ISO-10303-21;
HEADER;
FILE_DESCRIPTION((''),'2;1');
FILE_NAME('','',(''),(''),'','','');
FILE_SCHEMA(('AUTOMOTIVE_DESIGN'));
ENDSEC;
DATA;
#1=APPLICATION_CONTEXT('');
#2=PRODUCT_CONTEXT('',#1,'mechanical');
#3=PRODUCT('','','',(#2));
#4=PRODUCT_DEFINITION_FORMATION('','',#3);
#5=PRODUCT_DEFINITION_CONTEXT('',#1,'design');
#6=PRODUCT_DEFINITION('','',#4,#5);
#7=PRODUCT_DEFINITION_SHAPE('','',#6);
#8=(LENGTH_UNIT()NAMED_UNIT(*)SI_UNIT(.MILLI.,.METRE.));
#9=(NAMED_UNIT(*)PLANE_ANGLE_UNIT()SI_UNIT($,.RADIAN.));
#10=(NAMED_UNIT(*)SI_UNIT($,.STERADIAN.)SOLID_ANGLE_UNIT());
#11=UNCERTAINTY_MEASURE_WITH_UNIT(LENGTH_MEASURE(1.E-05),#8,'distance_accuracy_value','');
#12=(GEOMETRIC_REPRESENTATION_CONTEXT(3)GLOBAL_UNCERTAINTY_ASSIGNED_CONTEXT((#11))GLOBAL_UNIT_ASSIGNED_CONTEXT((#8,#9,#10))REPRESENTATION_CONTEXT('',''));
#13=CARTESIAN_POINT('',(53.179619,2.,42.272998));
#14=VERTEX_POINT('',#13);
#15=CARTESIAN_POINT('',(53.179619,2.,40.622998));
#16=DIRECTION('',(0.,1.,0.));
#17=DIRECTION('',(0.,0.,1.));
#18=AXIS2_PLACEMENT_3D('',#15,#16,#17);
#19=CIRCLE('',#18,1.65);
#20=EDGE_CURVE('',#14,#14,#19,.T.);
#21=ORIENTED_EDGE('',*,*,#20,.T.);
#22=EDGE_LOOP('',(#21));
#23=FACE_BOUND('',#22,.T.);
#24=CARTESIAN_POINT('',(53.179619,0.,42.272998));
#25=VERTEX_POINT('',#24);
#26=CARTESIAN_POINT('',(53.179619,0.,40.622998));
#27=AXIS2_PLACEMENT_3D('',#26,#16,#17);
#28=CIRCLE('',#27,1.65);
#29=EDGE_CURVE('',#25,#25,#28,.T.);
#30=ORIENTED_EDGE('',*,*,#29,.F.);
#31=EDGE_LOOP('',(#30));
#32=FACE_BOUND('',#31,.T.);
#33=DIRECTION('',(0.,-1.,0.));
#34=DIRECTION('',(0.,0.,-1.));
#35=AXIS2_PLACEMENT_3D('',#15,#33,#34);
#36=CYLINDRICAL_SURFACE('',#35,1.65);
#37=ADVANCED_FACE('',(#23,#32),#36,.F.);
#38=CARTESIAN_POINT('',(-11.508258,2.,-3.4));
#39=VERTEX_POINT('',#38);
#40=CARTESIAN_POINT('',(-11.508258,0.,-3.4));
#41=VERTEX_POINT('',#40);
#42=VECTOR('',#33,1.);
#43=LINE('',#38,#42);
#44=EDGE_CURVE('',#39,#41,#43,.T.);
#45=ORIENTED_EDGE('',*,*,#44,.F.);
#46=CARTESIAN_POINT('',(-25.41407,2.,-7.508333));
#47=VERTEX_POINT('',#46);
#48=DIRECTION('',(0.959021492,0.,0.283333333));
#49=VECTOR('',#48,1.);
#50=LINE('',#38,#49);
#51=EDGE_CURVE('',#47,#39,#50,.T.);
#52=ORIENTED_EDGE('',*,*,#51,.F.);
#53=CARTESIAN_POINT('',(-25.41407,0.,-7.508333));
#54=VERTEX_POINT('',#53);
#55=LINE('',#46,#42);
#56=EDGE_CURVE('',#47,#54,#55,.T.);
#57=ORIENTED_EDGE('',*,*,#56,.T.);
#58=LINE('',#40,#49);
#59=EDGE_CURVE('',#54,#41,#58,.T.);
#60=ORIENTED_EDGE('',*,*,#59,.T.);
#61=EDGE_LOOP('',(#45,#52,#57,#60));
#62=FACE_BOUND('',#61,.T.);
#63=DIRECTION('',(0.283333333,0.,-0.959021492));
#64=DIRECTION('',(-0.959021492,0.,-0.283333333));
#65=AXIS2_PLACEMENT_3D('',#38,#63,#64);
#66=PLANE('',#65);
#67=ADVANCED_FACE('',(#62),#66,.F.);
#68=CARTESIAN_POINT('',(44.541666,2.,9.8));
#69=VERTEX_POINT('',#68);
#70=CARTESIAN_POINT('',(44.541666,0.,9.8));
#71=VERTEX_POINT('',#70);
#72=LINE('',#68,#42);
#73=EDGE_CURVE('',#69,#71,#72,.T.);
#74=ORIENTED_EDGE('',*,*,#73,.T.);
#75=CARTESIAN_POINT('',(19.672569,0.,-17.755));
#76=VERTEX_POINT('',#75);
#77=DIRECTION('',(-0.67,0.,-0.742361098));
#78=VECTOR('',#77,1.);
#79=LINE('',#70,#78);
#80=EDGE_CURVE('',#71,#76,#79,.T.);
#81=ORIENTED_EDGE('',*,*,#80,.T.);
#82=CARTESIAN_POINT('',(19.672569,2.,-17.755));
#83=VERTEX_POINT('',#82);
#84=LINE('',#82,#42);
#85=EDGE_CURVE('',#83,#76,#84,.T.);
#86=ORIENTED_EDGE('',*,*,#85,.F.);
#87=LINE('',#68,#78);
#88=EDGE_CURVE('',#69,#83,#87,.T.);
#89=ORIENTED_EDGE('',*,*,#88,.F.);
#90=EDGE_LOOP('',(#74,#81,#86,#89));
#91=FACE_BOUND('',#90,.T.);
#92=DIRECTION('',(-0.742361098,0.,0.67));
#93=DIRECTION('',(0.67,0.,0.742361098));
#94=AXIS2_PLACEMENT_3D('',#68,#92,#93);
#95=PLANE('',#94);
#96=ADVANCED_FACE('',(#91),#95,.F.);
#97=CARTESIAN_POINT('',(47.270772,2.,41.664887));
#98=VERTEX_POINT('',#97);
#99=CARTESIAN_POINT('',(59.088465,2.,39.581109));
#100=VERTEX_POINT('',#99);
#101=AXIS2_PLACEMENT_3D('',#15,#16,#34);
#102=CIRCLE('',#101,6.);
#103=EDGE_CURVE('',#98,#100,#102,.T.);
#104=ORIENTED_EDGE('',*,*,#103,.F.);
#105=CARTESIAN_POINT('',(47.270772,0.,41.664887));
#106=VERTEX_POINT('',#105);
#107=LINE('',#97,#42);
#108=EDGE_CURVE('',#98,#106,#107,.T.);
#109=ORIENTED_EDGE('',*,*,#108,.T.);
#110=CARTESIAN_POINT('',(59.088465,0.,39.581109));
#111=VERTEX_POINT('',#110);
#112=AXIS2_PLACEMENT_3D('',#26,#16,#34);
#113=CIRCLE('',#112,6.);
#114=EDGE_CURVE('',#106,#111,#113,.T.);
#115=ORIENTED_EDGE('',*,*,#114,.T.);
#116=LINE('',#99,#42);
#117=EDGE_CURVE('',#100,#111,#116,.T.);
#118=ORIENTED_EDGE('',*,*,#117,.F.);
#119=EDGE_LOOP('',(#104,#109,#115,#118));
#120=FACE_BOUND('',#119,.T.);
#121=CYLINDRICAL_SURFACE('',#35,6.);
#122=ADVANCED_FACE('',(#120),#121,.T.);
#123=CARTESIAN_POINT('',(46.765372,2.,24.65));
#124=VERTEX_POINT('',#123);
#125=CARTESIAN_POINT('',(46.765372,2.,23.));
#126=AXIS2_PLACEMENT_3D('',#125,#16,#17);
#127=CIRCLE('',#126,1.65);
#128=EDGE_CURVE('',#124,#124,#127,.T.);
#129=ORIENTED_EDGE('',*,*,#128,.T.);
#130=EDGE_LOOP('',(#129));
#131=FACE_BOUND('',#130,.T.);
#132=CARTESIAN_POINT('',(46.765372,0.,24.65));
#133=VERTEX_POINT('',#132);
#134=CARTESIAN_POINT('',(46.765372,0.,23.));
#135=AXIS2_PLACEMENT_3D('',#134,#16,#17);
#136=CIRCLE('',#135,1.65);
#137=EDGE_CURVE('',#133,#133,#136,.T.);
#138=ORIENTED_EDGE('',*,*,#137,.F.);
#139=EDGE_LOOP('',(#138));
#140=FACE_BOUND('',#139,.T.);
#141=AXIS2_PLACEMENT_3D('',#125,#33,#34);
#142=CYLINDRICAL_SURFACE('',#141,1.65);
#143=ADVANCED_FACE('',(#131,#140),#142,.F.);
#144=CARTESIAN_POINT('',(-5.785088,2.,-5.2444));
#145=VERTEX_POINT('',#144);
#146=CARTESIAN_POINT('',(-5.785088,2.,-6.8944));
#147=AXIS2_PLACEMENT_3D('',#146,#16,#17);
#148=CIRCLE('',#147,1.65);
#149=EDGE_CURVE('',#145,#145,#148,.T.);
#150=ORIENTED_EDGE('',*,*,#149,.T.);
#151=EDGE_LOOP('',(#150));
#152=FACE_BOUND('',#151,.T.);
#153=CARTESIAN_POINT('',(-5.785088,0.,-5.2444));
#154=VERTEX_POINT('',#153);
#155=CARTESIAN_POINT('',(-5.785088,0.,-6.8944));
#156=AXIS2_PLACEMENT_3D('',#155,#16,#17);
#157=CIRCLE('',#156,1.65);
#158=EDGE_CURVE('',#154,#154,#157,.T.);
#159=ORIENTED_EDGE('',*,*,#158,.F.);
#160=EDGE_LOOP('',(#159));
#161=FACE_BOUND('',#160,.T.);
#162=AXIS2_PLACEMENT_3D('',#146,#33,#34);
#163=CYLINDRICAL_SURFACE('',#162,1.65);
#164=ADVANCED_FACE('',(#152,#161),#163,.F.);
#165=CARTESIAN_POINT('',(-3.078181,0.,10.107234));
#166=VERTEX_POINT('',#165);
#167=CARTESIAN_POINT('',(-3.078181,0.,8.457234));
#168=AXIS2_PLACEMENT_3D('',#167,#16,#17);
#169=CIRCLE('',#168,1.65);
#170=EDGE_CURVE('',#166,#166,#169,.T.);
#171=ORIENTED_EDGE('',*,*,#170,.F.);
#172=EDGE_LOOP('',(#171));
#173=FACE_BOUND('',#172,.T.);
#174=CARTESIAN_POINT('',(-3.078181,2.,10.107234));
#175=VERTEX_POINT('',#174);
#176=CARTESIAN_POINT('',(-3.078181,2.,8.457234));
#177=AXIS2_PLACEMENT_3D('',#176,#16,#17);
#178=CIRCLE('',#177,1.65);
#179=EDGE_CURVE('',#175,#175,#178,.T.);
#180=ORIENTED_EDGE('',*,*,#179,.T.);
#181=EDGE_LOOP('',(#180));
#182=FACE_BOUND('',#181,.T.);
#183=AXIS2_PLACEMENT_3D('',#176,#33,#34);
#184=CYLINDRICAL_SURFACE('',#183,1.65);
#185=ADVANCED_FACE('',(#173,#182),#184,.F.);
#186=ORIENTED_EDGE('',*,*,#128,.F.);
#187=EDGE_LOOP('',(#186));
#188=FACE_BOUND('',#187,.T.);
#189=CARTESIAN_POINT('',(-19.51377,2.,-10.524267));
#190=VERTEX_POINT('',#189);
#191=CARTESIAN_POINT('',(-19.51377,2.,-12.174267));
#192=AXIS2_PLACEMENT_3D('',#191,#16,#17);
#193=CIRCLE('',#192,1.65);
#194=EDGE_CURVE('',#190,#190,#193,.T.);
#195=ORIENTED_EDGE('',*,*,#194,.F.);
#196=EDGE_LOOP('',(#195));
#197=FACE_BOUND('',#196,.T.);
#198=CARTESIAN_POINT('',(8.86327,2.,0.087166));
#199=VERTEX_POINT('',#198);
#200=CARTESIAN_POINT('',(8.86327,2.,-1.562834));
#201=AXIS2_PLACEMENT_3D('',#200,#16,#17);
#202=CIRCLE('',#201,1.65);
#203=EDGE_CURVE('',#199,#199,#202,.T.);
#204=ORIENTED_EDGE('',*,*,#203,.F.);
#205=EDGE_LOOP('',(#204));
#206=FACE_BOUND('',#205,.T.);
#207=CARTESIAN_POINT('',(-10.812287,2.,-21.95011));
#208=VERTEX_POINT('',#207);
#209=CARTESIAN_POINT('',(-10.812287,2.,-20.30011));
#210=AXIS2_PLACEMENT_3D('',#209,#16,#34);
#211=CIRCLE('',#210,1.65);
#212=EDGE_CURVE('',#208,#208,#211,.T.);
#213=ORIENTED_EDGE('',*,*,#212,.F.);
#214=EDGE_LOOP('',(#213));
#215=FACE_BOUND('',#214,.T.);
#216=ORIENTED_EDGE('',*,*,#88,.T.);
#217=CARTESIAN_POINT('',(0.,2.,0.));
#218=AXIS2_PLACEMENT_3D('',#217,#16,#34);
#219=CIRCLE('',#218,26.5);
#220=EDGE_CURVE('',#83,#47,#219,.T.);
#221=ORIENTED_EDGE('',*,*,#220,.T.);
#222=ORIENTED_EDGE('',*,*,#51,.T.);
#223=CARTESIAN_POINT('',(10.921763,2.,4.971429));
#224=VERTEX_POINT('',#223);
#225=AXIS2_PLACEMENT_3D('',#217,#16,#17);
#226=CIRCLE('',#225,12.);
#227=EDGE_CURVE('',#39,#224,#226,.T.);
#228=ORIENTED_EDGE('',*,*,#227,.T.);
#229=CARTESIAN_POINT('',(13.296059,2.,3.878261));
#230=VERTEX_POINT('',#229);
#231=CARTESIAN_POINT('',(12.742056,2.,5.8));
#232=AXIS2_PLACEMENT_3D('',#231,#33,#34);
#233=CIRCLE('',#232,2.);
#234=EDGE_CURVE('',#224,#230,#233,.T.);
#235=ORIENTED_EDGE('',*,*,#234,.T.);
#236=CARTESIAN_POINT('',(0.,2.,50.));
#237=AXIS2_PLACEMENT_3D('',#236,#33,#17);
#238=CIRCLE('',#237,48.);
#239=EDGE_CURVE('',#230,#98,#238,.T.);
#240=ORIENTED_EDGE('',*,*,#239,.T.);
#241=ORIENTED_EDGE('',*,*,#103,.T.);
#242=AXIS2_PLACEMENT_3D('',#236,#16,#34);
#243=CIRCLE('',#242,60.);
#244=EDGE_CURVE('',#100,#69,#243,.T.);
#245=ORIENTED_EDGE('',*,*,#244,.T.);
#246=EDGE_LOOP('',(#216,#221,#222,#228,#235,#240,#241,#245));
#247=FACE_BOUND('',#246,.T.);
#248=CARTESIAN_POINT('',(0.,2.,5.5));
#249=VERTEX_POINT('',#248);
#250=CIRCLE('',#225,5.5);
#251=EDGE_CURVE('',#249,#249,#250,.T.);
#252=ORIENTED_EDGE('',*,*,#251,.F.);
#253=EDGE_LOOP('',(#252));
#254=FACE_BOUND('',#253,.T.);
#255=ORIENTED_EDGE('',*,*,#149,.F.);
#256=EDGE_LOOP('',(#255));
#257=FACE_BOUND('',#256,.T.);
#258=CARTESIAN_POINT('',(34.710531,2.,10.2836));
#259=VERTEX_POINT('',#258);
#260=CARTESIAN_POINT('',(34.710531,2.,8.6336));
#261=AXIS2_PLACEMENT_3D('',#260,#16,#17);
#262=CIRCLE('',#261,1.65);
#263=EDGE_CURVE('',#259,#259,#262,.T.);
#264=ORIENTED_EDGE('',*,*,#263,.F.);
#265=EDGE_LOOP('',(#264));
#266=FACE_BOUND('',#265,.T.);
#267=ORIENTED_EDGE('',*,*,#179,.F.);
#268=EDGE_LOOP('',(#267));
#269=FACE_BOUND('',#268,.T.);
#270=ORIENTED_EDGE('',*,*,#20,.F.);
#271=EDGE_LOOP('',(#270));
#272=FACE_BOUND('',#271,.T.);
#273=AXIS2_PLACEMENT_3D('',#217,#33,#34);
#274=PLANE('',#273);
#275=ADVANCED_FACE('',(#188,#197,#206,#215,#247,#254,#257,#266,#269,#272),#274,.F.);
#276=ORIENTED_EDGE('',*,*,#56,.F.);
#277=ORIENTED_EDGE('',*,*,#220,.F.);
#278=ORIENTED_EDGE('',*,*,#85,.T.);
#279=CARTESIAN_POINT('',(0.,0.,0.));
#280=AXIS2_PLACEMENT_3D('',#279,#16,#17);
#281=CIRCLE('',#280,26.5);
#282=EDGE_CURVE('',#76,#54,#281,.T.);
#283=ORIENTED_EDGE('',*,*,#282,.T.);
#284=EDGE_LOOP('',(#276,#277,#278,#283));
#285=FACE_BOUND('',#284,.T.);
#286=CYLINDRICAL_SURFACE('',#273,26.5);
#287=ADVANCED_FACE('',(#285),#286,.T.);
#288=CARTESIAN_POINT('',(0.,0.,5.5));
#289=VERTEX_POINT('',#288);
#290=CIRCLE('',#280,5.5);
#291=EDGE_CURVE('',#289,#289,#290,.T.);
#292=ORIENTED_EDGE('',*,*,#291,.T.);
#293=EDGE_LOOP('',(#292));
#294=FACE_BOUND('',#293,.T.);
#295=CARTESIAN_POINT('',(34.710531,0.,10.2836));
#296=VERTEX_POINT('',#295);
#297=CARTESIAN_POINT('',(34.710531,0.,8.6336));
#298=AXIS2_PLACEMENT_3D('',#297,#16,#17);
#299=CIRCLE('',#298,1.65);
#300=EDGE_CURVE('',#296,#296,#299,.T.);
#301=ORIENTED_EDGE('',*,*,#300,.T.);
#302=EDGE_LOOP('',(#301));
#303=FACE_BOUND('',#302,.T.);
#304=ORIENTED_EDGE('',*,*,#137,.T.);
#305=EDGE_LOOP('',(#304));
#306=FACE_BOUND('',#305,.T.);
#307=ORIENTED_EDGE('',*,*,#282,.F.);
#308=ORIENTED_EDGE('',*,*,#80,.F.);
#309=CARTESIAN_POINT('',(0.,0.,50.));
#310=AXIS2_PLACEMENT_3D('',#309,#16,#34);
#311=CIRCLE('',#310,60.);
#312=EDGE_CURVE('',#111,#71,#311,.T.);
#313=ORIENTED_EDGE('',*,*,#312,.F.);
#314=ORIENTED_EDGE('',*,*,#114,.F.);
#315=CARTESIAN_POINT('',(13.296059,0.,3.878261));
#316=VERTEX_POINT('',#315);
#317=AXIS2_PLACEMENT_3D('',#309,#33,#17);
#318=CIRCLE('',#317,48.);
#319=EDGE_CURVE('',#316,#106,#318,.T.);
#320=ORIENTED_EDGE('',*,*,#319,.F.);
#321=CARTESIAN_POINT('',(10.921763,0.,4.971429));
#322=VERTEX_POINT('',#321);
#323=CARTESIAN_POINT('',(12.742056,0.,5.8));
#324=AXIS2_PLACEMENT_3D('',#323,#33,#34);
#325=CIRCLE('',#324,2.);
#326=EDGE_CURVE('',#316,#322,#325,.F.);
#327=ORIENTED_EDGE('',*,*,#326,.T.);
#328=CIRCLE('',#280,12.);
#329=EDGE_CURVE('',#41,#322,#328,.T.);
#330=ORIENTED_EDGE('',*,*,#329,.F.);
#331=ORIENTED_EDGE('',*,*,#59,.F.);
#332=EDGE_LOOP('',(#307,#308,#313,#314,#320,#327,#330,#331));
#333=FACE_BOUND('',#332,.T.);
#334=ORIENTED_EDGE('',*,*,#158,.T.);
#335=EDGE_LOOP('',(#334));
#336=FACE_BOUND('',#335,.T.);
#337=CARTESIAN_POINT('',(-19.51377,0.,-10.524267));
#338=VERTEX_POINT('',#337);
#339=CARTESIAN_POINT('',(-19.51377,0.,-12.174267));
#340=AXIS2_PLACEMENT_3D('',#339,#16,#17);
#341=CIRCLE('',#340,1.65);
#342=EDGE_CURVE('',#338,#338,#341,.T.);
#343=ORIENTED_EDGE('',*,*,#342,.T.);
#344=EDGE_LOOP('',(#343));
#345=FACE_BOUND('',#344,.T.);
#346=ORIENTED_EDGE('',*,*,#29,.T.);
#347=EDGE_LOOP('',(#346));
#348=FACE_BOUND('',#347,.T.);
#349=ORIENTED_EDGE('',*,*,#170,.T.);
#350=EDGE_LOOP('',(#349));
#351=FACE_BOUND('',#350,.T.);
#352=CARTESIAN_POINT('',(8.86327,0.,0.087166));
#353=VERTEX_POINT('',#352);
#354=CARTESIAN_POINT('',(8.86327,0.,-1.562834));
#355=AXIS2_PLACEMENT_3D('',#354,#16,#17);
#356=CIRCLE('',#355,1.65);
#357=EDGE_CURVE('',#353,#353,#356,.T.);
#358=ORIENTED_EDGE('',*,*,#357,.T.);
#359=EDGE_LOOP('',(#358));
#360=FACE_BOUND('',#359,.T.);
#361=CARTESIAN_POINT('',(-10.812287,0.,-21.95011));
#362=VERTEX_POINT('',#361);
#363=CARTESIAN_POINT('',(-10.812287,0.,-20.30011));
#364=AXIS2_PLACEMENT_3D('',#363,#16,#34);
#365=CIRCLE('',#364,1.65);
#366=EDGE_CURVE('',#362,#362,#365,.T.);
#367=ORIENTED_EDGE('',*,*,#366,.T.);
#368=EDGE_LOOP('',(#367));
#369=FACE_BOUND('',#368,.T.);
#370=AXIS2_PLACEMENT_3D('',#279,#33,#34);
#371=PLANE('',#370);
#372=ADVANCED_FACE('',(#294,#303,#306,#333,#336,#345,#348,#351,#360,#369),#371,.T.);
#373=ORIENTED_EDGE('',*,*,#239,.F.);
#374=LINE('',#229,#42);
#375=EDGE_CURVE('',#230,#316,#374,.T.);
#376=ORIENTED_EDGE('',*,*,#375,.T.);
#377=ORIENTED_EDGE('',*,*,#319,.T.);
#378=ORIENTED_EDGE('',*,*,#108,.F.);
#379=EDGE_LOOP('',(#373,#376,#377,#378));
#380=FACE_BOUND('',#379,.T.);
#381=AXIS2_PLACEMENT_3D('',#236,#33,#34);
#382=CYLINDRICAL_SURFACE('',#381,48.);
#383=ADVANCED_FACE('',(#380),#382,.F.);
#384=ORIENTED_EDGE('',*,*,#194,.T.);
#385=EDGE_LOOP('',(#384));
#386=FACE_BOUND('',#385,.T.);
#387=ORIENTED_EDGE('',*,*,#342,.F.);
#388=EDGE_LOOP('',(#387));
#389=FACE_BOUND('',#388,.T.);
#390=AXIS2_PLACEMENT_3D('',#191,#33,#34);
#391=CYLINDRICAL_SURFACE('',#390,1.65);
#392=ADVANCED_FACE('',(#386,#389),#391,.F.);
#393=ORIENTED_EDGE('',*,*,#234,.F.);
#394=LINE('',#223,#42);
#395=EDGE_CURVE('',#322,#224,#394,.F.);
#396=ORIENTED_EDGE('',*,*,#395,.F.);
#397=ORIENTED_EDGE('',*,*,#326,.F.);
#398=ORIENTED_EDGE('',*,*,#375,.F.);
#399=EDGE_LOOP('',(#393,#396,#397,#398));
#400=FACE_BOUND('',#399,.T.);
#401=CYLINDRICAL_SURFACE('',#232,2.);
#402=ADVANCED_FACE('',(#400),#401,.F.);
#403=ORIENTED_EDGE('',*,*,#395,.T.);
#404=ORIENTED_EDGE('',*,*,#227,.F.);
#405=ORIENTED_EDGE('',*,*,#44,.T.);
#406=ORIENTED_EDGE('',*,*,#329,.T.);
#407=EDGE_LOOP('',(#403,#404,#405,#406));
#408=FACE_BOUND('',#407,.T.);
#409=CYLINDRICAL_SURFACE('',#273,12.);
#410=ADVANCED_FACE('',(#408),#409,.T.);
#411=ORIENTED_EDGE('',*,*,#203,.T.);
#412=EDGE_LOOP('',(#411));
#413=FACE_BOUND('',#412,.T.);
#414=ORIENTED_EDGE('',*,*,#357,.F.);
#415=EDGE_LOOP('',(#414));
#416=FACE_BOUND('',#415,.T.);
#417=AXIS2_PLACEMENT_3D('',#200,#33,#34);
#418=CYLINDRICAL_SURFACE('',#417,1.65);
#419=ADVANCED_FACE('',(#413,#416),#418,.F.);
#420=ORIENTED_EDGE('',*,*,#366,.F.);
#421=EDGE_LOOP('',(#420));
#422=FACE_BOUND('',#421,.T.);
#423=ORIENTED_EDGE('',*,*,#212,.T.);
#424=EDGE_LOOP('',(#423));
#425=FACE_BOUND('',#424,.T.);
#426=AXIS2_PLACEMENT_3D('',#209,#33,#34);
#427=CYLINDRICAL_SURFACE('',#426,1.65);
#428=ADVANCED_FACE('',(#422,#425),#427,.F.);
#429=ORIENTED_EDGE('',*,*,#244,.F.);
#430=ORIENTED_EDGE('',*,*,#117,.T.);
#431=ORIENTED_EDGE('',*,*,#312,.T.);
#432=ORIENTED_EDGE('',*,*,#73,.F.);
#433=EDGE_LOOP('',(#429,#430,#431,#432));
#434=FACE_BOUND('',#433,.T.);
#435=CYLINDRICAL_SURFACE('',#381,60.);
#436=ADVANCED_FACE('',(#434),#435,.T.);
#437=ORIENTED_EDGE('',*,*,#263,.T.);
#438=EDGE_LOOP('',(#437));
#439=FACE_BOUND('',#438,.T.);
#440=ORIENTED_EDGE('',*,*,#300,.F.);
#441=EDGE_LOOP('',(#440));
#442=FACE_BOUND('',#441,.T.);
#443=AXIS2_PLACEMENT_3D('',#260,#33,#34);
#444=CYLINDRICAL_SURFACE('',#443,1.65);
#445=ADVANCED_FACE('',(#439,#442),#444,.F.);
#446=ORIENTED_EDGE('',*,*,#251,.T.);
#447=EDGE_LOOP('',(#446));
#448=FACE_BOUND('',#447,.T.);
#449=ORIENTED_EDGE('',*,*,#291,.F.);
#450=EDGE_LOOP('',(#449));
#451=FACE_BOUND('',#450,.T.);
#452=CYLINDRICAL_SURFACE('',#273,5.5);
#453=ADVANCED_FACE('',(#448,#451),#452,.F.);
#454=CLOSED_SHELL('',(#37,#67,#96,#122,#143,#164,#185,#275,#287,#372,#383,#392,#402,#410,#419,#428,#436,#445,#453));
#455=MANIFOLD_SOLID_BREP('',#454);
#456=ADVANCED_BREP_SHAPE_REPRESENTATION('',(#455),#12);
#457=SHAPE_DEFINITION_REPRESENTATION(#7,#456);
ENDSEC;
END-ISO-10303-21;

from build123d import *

# Parameters (mm, degrees)
SKETCH_1_R         = 1.65
SKETCH_1_R_2       = 5.5
EXTRUDE_2450_DEPTH = 2
FILLET_1_R         = 2


with BuildPart() as part:
    # Эскиз1 → Extrude 2450 (new body)
    with BuildSketch(Plane(origin=(0, 0, 0), x_dir=(1, 0, 0), z_dir=(0, 1, 0))):
        with BuildLine():
            Line((-11.508257905, 3.4), (-25.414069539, 7.508333333))
            ThreePointArc((-25.414069539, 7.508333333), (-18.086736192, 19.368014197), (-5.754049101, 25.86775829))
            ThreePointArc((-5.754049101, 25.86775829), (8.055154344, 25.246078676), (19.6725691, 17.755))
            Line((19.6725691, 17.755), (44.541665887, -9.8))
            ThreePointArc((44.541665887, -9.8), (53.912240119, -23.666174502), (59.088465181, -39.58110934))
            ThreePointArc((59.088465181, -39.58110934), (54.221507729, -46.531844924), (47.270772145, -41.664887472))
            ThreePointArc((47.270772145, -41.664887472), (35.068418794, -17.224917951), (11.508257905, -3.4))
            ThreePointArc((11.508257905, -3.4), (-3.4, -11.508257905), (-11.508257905, 3.4))
        make_face()
        with Locations(Location((-5.785088487, 6.894399988, 0), (0, 0, 270))):
            Circle(SKETCH_1_R, mode=Mode.SUBTRACT)
        with Locations(Location((8.863269777, 1.562833599, 0), (0, 0, 270))):
            Circle(SKETCH_1_R, mode=Mode.SUBTRACT)
        with Locations(Location((0, 0, 0), (0, 0, 270))):
            Circle(SKETCH_1_R_2, mode=Mode.SUBTRACT)
        with Locations(Location((-3.07818129, -8.457233587, 0), (0, 0, 270))):
            Circle(SKETCH_1_R, mode=Mode.SUBTRACT)
        with Locations(Location((-19.513769828, 12.174267415, 0), (0, 0, 270))):
            Circle(SKETCH_1_R, mode=Mode.SUBTRACT)
        with Locations(Location((-10.812286687, 20.300109768, 0), (0, 0, 90))):
            Circle(SKETCH_1_R, mode=Mode.SUBTRACT)
        with Locations(Location((53.179618663, -40.622998406, 0), (0, 0, 270))):
            Circle(SKETCH_1_R, mode=Mode.SUBTRACT)
        with Locations(Location((46.765371804, -23, 0), (0, 0, 270))):
            Circle(SKETCH_1_R, mode=Mode.SUBTRACT)
        with Locations(Location((34.710530923, -8.633600072, 0), (0, 0, 270))):
            Circle(SKETCH_1_R, mode=Mode.SUBTRACT)
    extrude(amount=EXTRUDE_2450_DEPTH)

    # Скругление1
    fillet_1_edges = [part.edges().sort_by_distance(p)[0] for p in [
        (11.508257905, 1, 3.4),
    ]]
    fillet(fillet_1_edges, radius=FILLET_1_R)


solid = part.part
